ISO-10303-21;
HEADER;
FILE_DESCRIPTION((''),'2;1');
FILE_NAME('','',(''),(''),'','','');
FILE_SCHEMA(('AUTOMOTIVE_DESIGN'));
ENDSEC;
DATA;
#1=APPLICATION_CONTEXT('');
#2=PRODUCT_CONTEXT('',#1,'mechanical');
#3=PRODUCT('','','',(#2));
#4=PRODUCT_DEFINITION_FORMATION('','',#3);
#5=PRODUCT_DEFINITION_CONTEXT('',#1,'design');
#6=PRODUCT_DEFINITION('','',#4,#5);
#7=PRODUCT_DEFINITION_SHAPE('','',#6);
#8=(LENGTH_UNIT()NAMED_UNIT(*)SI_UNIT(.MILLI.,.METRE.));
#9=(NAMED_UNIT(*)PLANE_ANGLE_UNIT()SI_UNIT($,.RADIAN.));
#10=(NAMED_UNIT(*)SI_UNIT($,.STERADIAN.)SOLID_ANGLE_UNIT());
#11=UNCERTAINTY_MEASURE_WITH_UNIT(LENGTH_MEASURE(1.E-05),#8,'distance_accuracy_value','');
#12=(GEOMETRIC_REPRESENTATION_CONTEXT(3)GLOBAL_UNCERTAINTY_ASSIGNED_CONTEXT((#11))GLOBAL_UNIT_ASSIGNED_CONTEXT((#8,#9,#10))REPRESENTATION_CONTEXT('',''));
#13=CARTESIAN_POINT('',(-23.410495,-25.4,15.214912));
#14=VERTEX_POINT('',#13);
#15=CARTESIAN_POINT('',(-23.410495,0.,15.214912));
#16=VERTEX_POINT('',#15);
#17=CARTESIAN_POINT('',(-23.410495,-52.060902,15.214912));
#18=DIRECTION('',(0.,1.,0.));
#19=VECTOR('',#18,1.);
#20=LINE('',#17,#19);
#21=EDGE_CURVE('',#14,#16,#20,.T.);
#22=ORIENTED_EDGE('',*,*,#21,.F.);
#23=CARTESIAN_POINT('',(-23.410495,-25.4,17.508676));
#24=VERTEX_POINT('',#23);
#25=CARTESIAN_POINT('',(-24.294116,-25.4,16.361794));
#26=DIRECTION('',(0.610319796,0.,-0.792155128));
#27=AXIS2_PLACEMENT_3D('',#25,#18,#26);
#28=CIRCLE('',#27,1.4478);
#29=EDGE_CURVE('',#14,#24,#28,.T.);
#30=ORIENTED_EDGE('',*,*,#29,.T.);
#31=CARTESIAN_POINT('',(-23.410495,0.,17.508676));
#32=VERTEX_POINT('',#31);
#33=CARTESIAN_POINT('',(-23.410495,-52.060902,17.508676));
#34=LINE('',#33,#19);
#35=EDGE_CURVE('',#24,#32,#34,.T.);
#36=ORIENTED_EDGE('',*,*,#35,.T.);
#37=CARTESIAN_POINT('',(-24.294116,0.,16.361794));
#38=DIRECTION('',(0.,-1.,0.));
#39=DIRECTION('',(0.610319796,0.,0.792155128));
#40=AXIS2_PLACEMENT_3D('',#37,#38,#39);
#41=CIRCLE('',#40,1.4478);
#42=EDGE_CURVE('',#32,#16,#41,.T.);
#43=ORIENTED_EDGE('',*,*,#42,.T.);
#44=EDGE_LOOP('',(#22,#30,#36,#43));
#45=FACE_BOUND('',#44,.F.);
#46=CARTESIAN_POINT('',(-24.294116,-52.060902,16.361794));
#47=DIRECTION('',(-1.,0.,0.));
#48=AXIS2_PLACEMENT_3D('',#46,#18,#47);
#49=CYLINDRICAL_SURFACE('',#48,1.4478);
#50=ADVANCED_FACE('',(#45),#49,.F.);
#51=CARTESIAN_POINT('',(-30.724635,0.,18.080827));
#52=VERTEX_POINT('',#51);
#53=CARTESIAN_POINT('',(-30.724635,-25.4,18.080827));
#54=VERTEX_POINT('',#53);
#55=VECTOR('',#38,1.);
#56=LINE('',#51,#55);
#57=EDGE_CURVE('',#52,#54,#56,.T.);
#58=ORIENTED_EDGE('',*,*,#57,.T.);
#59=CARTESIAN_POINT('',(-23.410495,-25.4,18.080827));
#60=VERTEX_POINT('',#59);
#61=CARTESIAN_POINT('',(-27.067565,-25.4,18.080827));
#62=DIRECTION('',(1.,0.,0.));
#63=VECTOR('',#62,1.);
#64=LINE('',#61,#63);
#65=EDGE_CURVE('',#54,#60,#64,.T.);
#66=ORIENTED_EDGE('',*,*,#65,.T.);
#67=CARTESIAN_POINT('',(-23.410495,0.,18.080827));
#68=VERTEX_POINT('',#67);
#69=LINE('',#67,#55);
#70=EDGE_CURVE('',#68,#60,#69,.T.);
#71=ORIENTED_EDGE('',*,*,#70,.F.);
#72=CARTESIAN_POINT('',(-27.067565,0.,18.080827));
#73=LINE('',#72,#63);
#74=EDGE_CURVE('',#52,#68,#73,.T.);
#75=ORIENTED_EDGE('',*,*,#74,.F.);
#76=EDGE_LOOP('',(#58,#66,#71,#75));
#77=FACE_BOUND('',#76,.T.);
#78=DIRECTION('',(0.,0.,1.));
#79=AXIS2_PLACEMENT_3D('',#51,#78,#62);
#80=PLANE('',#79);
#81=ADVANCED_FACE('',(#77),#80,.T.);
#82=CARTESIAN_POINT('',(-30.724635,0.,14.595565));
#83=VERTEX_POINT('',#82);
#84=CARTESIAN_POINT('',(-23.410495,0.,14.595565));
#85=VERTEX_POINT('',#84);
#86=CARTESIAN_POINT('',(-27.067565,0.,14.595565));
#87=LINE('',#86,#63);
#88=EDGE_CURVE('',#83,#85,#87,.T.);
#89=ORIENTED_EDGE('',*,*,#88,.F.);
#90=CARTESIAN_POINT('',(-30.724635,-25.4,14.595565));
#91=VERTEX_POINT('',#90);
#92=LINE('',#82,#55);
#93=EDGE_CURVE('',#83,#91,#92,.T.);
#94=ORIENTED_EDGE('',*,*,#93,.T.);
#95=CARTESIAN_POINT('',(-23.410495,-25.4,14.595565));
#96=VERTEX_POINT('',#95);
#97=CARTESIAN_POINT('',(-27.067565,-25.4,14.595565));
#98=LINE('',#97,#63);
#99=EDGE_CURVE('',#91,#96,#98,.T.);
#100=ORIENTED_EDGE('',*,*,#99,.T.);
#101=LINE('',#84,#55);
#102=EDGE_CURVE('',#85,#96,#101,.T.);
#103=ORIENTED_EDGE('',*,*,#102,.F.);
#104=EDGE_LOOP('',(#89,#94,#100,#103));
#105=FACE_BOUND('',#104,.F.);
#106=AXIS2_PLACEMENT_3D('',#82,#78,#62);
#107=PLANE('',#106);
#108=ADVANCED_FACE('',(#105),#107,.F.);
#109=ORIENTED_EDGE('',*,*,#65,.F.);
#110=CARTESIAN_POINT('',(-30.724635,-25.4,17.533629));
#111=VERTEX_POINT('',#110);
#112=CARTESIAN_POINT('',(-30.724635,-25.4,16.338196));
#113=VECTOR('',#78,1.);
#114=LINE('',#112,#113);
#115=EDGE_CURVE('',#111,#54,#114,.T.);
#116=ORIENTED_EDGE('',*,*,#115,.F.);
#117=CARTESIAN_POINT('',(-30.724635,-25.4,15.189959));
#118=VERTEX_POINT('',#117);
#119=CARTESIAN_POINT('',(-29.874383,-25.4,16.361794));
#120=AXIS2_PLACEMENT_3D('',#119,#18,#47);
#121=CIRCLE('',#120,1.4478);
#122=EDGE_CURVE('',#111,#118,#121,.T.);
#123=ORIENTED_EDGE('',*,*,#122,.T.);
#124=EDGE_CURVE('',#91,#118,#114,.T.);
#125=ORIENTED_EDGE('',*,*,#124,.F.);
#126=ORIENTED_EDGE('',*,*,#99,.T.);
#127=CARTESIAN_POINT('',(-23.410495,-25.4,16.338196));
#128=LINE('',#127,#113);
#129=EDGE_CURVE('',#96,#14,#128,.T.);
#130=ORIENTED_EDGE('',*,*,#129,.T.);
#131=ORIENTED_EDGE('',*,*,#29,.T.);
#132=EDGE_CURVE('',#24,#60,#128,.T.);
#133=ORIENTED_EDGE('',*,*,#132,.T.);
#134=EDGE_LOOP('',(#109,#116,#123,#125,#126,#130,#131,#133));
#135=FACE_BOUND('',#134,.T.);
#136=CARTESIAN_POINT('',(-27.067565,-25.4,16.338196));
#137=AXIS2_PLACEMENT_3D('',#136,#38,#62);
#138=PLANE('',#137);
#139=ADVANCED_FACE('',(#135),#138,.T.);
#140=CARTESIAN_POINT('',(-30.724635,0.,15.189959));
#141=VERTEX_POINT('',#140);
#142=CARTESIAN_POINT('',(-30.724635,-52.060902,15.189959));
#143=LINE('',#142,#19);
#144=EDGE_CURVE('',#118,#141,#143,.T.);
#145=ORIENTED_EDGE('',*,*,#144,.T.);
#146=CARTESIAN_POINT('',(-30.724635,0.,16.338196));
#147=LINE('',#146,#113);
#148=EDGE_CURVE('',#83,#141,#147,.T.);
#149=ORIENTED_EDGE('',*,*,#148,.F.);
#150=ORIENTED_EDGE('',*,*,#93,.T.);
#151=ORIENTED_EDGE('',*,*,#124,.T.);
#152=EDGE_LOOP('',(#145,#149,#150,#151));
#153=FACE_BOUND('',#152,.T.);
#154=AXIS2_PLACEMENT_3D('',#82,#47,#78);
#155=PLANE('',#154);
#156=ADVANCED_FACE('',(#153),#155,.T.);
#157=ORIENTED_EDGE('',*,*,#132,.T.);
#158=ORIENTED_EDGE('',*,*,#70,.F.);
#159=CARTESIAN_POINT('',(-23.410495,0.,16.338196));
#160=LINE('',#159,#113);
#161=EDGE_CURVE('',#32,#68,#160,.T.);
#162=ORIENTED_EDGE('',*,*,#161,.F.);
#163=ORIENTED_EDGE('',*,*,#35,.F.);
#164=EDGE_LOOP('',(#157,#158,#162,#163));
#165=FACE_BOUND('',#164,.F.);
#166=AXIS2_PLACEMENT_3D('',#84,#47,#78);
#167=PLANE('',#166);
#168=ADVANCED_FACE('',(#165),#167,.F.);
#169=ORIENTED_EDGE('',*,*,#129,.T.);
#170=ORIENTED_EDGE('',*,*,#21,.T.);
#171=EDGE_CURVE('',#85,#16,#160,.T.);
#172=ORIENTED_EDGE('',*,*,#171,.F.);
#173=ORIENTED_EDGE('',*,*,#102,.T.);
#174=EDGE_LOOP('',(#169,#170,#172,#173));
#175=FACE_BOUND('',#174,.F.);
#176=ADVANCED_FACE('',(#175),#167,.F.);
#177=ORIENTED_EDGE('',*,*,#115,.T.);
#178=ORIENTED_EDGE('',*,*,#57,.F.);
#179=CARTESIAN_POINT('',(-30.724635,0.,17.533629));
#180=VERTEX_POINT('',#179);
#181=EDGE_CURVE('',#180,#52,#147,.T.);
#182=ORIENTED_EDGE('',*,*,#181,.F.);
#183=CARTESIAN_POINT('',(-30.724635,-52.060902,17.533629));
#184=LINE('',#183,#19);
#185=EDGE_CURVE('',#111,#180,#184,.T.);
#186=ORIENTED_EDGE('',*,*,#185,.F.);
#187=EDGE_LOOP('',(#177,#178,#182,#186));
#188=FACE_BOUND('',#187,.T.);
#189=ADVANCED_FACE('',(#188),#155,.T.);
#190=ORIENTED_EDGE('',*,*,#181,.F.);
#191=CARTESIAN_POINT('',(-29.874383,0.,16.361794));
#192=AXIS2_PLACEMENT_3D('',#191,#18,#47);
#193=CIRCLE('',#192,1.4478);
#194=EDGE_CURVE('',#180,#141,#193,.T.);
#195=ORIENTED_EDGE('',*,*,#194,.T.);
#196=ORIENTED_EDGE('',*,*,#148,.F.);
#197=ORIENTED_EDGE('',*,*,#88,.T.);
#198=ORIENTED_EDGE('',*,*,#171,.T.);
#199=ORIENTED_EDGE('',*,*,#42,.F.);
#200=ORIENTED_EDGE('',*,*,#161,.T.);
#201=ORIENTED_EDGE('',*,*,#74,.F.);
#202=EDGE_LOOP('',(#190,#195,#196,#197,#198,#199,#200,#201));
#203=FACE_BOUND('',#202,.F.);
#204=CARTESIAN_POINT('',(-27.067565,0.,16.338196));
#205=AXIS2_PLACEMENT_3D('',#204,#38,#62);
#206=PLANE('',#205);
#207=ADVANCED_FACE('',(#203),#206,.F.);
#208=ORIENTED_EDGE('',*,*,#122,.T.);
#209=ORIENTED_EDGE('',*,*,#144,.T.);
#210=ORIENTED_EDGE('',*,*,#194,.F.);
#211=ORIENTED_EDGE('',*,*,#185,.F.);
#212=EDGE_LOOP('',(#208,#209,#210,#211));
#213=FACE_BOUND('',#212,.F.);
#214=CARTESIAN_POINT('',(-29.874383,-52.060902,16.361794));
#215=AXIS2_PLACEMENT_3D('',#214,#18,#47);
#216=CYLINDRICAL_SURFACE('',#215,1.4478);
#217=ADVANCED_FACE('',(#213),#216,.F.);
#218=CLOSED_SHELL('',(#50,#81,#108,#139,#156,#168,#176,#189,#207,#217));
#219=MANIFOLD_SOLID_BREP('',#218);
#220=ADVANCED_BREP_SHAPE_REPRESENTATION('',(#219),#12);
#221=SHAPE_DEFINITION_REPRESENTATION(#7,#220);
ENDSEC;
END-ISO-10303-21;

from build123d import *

# Parameters (mm, degrees)
F0_W     = 7.31414
F0_H     = 3.485261
F1_DEPTH = 25.4
F3_D     = 2.8956
F5_D     = 2.8956


with BuildPart() as f1:
    # F0 (on Front) → F1 (new body)
    with BuildSketch(Plane.XZ):
        with Locations((-27.067565, 16.338196)):
            Rectangle(F0_W, F0_H)
    extrude(amount=F1_DEPTH)

    # F3 (through all)
    with Locations(Plane.XZ.offset(25.4)):
        with Locations((-29.874383, 16.361794)):
            Hole(F3_D / 2)

    # F5 (through all)
    with Locations(Plane.XZ.offset(25.4)):
        with Locations((-24.294116, 16.361794)):
            Hole(F5_D / 2)


solid = f1.part
